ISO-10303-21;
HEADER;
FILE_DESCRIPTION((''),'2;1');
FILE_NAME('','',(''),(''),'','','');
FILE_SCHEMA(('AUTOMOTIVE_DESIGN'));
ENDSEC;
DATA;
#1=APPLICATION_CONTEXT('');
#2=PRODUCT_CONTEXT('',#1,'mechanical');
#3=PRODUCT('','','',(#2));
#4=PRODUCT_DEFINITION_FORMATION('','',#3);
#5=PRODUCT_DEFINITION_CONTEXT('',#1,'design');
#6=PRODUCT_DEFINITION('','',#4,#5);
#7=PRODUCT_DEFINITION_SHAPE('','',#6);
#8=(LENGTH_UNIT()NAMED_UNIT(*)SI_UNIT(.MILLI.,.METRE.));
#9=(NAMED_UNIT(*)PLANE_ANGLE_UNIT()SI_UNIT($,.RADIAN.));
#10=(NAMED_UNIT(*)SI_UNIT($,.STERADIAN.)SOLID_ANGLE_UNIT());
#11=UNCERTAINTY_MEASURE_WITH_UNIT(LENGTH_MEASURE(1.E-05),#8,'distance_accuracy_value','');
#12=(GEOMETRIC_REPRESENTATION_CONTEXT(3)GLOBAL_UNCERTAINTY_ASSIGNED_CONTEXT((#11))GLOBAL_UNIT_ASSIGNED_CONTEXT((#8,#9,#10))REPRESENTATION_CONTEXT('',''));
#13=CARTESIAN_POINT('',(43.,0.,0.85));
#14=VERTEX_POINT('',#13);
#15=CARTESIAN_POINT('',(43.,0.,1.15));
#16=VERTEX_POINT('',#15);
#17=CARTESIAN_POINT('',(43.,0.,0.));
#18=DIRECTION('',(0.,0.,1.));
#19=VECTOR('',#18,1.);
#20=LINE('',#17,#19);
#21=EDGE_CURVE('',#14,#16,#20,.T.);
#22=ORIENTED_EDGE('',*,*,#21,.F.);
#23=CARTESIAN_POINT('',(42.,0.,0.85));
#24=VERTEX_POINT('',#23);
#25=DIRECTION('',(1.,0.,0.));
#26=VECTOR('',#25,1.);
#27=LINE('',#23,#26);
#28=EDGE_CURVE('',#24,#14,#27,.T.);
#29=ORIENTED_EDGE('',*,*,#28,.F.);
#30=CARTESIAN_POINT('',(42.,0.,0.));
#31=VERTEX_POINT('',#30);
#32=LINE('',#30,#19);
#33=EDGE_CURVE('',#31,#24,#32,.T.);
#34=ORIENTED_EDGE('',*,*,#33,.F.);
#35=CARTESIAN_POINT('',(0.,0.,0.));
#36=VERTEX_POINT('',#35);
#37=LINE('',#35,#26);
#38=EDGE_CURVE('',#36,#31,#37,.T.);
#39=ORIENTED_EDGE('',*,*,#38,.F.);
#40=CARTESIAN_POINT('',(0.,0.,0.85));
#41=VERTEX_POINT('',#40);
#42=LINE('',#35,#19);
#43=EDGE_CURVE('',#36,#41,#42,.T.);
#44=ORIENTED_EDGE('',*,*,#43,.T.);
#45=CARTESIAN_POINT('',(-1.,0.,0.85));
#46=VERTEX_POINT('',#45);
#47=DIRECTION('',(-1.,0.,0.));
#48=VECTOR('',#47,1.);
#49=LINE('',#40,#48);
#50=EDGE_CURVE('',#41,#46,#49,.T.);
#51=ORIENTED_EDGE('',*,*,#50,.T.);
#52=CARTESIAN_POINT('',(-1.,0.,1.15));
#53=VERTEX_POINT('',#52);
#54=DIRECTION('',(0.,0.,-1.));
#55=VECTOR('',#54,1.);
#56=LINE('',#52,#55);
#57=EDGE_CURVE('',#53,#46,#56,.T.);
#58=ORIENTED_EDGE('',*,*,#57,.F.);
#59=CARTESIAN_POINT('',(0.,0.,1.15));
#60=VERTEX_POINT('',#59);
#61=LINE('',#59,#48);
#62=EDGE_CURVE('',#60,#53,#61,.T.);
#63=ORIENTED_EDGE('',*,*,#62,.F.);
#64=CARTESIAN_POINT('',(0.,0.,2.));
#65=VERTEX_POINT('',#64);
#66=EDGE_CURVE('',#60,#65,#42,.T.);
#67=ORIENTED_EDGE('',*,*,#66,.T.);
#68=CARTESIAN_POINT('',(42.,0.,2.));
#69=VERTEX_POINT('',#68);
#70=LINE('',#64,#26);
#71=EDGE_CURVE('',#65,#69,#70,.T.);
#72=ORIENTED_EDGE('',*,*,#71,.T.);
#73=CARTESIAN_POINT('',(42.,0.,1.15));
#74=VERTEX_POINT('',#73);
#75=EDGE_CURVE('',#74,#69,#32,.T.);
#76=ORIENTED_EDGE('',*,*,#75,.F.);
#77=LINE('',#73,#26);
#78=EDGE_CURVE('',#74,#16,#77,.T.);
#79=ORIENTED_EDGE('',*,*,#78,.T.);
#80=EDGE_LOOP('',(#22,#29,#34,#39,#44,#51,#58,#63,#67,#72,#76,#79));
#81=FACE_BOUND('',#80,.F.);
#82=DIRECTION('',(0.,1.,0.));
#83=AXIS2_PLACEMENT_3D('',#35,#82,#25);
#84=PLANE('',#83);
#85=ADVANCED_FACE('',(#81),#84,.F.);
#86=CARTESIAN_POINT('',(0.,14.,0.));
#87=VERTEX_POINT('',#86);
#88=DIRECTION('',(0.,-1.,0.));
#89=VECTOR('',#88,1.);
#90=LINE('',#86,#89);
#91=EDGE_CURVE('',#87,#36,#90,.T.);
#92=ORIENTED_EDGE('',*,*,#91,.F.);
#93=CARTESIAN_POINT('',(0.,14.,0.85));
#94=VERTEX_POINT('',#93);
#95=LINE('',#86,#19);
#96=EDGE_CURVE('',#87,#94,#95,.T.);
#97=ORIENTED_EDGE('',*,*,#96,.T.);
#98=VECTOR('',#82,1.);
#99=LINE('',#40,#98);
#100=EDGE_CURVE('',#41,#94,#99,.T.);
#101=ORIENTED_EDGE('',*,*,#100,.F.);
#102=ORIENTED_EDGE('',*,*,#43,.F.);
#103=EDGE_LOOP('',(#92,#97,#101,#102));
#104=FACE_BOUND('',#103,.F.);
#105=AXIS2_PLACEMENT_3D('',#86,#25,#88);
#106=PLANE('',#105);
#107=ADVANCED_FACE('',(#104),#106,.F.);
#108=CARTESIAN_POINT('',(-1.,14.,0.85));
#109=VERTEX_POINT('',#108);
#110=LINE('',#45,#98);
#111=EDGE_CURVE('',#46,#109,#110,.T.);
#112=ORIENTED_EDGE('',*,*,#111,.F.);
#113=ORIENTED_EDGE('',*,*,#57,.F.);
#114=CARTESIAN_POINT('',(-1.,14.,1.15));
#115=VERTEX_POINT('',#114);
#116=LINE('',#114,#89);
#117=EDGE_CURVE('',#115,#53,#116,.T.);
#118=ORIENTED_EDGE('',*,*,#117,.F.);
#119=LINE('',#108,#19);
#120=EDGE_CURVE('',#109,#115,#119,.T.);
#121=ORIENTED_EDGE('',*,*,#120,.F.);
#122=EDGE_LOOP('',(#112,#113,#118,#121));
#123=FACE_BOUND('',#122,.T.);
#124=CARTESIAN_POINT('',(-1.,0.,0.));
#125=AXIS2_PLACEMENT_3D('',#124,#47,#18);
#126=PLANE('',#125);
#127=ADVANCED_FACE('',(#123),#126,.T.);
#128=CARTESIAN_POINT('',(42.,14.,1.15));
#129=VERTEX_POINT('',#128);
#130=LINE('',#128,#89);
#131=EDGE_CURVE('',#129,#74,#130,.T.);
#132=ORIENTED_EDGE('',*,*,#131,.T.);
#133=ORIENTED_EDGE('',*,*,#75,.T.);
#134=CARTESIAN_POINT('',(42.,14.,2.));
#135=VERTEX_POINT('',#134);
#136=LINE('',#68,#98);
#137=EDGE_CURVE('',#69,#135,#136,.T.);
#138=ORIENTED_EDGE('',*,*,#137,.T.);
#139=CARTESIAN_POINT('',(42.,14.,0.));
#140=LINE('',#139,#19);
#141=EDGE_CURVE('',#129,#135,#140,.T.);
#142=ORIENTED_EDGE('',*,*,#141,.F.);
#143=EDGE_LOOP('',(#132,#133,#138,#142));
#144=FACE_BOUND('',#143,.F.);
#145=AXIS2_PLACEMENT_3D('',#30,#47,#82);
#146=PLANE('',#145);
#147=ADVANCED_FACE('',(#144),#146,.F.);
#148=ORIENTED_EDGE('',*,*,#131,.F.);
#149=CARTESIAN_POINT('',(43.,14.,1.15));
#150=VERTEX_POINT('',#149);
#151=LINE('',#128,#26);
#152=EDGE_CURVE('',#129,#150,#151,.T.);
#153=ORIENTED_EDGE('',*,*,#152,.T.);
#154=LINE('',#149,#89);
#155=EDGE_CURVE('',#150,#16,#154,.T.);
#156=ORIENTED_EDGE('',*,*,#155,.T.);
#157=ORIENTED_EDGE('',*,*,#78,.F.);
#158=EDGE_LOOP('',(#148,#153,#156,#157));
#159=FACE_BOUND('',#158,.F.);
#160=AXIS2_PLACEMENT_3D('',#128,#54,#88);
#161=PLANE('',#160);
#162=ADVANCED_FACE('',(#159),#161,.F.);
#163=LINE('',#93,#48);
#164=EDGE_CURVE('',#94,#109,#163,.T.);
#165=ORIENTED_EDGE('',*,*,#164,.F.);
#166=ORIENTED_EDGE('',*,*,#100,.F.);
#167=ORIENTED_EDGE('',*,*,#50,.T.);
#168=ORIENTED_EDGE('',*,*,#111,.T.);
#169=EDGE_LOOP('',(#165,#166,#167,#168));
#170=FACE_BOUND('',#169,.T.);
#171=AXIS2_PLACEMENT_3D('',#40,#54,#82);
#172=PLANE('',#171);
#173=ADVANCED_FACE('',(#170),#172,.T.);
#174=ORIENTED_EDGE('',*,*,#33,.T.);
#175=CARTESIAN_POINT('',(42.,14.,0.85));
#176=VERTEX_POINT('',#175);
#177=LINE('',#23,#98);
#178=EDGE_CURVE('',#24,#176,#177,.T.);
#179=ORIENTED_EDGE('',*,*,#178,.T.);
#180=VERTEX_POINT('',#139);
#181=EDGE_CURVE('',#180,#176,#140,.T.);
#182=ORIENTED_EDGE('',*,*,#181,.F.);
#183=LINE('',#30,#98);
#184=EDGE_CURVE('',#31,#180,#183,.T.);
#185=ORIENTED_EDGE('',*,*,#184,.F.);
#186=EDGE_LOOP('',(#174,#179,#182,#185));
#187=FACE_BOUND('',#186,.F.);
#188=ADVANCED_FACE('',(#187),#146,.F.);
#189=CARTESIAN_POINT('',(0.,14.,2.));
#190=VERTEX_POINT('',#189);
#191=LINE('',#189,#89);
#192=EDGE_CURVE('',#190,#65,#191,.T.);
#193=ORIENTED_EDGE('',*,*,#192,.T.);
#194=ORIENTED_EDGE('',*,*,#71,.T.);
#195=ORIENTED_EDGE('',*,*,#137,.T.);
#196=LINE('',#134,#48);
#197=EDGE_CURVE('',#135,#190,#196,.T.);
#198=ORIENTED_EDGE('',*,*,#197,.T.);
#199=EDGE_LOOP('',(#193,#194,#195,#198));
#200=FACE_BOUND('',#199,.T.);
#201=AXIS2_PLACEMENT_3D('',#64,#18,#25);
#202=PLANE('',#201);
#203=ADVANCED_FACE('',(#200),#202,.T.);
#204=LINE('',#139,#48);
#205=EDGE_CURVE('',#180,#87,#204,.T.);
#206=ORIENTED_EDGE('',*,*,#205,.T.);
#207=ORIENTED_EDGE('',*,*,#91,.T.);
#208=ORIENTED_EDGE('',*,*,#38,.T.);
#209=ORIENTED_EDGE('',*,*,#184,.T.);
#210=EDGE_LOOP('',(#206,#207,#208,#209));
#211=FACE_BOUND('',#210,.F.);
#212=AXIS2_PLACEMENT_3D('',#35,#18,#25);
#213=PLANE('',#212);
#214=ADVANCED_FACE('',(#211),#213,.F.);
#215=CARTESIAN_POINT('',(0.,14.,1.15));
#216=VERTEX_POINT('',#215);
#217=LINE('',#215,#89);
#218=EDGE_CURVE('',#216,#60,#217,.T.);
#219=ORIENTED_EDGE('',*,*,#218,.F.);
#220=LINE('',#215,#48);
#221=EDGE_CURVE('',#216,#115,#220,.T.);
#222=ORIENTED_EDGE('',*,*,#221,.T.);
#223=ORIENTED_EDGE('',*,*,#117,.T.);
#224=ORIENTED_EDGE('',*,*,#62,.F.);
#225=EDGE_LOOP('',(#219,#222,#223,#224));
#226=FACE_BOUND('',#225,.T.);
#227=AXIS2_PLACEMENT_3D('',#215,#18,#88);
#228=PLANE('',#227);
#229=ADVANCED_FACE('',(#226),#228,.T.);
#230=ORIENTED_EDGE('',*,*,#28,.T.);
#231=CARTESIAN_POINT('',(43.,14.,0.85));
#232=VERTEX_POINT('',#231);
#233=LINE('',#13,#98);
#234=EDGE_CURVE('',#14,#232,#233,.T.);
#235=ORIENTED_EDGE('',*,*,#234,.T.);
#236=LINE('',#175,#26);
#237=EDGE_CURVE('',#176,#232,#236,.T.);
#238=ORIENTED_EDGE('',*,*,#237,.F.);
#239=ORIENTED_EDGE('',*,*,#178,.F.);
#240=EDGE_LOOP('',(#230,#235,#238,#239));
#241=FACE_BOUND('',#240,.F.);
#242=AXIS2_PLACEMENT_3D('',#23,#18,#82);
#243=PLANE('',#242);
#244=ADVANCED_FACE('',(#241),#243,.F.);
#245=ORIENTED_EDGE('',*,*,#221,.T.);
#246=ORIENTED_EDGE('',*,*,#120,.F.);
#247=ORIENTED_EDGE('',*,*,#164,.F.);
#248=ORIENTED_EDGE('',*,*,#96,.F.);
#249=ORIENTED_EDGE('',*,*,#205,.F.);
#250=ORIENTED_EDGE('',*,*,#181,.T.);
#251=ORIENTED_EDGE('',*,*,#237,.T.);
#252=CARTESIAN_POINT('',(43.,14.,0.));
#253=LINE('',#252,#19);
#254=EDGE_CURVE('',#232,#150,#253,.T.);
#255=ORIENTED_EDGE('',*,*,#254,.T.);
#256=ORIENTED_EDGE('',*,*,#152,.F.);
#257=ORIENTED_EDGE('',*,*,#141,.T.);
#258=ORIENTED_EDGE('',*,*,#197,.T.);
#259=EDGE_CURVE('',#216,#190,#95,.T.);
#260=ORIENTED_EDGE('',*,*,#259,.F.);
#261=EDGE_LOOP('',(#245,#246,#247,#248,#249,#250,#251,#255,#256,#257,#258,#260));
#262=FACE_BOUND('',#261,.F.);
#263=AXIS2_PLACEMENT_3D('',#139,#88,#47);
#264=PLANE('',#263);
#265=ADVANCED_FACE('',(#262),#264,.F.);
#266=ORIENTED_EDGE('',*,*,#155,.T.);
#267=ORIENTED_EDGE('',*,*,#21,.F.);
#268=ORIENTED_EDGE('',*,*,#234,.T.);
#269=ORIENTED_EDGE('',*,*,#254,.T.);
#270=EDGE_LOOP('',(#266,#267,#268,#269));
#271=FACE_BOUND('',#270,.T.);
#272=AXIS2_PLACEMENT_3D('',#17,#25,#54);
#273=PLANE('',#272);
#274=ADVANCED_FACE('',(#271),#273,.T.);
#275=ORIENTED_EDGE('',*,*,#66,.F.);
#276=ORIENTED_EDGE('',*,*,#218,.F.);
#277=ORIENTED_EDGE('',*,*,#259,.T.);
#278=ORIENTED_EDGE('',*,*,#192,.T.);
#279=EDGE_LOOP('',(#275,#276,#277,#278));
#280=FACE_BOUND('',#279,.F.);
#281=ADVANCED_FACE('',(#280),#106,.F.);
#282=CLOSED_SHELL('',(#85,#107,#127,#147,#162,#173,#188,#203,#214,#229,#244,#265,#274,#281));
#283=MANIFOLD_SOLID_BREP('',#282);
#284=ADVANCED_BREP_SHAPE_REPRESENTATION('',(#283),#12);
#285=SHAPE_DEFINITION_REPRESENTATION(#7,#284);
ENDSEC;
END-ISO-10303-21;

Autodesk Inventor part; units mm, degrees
ref_plane "YZ Plane" through (0, 0, 0) normal (1, 0, 0) x (0, 1, 0)
ref_plane "XZ Plane" through (0, 0, 0) normal (0, 1, 0) x (-1, 0, 0)
ref_plane "XY Plane" through (0, 0, 0) normal (0, 0, 1) x (1, 0, 0)
sketch "Sketch1" plane through (0, 0, 0) normal (0, 0, 1) x (1, 0, 0)
  line L0 (0, 0) -> (42, 0)
  line L1 (42, 0) -> (42, 14)
  line L2 (42, 14) -> (0, 14)
  line L3 (0, 14) -> (0, 0)
  dimension "d0" = 42
  dimension "d1" = 14
extrude "Extrusion1" add sketch "Sketch1" along normal blind 2
sketch "Sketch2" plane through (42, 0, 0) normal (1, 0, 0) x (0, 0, -1)
  line L0 (0, 14) -> (-2, 14) projected
  line L1 (-2, 0) -> (-2, 14) projected
  line L2 (0, 0) -> (-2, 0) projected
  line L3 (-1.15, 0) -> (-0.85, 0)
  line L4 (-0.85, 0) -> (-0.85, 14)
  line L5 (-0.85, 14) -> (-1.15, 14)
  line L6 (-1.15, 14) -> (-1.15, 0)
  dimension "d4" = 0.85
  dimension "d5" = 0.3
extrude "Extrusion2" add sketch "Sketch2" along normal blind 1 contours L4 L2 L6 L0
sketch "Sketch3" plane through (0, 0, 0) normal (-1, 0, 0) x (0, 0, 1)
  line L0 (0.85, 14) -> (1.15, 14) projected
  line L1 (1.15, 14) -> (1.15, 0) projected
  line L2 (0.85, 14) -> (1.15, 14)
  line L3 (1.15, 14) -> (1.15, 0)
  line L4 (1.15, 0) -> (0.85, 0)
  line L5 (0.85, 0) -> (0.85, 14)
extrude "Extrusion3" add sketch "Sketch3" along normal blind 1
properties part number "Voorplaat"
